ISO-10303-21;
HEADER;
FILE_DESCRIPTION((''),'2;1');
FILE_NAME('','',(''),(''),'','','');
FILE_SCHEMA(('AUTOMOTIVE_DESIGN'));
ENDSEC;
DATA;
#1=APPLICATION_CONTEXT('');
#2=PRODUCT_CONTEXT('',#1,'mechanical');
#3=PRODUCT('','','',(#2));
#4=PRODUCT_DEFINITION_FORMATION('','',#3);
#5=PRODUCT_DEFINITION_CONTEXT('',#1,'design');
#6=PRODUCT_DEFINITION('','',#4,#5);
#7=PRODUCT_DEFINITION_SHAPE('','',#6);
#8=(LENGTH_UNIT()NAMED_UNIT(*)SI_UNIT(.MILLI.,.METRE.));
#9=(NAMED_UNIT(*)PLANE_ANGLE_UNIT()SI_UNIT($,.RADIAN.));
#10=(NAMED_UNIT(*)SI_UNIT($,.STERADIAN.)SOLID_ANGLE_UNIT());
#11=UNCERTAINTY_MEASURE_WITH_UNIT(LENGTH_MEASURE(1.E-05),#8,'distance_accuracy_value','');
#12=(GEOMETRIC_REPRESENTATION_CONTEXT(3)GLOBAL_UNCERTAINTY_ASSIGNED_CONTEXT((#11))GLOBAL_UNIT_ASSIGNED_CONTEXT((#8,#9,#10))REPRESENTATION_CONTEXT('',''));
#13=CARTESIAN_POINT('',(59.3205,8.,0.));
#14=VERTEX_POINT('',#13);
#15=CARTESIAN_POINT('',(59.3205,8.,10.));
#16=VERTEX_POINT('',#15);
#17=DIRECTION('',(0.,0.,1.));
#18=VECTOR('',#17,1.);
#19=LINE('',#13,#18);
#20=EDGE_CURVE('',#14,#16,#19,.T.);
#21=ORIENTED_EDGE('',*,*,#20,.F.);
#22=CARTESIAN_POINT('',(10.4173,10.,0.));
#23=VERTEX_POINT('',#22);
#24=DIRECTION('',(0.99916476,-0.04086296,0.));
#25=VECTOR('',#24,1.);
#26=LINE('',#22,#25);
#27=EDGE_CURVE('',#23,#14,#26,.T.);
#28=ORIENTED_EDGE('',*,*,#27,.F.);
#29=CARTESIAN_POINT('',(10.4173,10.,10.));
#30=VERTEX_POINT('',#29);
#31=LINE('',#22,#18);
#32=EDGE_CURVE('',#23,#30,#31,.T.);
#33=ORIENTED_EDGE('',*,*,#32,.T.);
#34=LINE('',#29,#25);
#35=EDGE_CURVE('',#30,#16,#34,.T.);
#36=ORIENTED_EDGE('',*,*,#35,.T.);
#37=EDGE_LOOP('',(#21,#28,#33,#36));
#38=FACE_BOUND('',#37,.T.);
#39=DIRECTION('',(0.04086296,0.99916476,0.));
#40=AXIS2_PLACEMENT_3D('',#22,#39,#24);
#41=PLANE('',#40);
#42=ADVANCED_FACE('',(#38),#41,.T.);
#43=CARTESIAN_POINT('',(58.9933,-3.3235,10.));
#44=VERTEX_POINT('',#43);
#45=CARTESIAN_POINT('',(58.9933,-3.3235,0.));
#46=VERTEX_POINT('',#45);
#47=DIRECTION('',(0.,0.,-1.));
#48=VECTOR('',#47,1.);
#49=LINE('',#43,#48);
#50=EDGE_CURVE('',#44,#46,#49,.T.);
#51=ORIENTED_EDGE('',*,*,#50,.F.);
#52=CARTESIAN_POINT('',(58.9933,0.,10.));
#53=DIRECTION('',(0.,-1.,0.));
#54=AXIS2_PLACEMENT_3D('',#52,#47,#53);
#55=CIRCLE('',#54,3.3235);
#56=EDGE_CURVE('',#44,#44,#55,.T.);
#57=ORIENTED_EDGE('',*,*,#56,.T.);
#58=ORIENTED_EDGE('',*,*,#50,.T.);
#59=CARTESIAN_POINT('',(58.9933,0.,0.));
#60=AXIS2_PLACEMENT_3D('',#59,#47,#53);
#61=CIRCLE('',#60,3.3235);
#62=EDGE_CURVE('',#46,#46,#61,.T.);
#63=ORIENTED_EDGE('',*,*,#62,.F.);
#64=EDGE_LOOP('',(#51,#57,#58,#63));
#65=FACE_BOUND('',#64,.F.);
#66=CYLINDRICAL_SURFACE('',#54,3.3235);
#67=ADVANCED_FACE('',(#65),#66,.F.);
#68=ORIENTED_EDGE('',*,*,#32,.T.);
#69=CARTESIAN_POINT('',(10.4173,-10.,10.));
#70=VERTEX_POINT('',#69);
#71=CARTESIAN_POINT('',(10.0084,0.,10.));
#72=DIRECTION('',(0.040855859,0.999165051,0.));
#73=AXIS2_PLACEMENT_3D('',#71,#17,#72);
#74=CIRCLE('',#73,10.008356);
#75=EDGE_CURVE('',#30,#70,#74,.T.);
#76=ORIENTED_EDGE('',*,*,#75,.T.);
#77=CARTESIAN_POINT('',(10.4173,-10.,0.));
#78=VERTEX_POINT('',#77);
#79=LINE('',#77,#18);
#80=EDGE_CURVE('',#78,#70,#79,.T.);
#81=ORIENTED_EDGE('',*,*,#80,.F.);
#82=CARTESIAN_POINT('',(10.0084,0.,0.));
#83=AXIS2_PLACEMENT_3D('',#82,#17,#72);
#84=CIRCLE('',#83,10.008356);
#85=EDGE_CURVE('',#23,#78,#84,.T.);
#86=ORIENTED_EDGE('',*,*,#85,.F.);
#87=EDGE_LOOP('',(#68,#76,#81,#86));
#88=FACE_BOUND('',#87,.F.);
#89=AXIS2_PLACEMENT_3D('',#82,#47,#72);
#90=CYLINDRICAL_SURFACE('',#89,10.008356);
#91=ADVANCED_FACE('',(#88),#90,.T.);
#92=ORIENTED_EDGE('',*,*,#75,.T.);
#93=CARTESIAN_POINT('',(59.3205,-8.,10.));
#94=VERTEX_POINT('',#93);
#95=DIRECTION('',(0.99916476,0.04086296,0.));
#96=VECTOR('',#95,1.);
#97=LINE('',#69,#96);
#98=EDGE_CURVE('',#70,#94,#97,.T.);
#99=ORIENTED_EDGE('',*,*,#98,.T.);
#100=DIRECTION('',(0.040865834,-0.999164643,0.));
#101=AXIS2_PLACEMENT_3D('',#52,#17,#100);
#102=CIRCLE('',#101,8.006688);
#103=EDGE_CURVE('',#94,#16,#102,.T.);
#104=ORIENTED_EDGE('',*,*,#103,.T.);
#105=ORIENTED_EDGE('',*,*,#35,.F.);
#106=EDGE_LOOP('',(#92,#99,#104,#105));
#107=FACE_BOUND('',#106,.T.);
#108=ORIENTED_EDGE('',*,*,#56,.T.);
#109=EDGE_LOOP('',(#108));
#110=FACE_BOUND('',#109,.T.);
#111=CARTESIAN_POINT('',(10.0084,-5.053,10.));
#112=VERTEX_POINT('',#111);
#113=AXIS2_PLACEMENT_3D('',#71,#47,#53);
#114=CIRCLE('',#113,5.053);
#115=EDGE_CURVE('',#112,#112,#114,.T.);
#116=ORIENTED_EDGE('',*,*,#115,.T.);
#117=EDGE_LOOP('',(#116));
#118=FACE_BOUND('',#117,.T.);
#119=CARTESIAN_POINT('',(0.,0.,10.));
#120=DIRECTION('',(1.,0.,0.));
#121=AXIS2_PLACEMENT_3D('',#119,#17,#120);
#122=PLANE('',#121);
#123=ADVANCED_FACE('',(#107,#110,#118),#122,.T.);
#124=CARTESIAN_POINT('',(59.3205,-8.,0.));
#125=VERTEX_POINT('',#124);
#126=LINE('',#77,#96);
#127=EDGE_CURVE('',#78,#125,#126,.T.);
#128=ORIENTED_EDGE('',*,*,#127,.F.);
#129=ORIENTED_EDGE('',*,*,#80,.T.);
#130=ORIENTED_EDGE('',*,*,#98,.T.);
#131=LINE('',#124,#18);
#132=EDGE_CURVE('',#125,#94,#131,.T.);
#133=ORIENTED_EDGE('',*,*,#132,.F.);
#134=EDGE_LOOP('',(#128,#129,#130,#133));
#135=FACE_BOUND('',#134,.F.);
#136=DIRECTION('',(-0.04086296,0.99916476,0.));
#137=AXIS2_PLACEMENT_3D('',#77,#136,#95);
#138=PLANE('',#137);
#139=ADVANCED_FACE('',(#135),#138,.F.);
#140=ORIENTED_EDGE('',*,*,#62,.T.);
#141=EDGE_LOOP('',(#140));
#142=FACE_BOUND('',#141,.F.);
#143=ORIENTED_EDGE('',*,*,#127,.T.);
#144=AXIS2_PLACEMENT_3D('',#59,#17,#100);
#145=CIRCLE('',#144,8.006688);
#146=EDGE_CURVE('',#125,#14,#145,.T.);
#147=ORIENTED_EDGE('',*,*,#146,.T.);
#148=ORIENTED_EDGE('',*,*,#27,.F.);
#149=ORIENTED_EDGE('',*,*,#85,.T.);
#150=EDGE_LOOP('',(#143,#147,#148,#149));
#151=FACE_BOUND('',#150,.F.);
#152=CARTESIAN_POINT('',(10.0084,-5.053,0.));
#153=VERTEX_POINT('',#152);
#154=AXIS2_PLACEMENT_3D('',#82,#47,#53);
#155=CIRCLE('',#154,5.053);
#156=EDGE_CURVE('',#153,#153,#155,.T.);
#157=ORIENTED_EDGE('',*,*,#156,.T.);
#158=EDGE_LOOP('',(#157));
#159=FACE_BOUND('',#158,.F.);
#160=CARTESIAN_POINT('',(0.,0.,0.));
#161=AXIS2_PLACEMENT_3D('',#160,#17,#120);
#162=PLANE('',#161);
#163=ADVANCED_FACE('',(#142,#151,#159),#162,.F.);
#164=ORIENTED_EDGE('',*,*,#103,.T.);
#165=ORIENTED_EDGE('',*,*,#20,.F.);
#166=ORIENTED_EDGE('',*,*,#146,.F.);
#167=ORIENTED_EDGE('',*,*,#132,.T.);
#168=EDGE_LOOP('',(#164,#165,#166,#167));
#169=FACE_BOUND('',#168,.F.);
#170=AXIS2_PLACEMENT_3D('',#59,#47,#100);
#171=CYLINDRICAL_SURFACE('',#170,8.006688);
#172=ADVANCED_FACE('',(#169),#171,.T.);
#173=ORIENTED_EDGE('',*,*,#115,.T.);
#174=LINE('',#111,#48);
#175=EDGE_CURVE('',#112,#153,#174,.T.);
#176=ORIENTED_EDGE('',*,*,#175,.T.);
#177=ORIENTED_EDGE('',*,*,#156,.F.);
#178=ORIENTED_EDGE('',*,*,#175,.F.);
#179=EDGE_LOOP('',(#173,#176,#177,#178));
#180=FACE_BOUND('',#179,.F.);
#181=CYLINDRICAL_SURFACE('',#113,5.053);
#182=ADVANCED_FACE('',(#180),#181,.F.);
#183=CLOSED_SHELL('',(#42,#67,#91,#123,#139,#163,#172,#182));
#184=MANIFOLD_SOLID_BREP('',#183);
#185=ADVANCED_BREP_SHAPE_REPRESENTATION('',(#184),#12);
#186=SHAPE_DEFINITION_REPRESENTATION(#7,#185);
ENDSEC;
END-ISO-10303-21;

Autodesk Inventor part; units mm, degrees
ref_plane "YZ Plane" through (0, 0, 0) normal (1, 0, 0) x (0, 1, 0)
ref_plane "XZ Plane" through (0, 0, 0) normal (0, 1, 0) x (-1, 0, 0)
ref_plane "XY Plane" through (0, 0, 0) normal (0, 0, 1) x (1, 0, 0)
sketch "Skizze1" plane through (0, 0, 0) normal (0, 0, 1) x (1, 0, 0)
  arc A0 (10.4173, 10) -> (10.4173, -10) centre (10.0084, 0) ccw
  line L0 (10.4173, 10) -> (59.3205, 8)
  line L1 (10.4173, -10) -> (59.3205, -8)
  arc A1 (59.3205, -8) -> (59.3205, 8) centre (58.9933, 0) ccw
  point P0 (0, 0)
  point P1 (67, 0)
  point P2 (0, 0)
  dimension "d0" = 20
  dimension "d1" = 16
  dimension "d2" = 67
extrude "Extrusion1" add sketch "Skizze1" along normal blind 10
sketch "Skizze2" plane through (0, 0, 10) normal (0, 0, 1) x (1, 0, 0)
  arc A0 (10.4173, 10) -> (10.4173, -10) centre (10.0084, 0) ccw projected
  point P0 (0, 0)
hole "Bohrung1" at (10.0084, 0, 10) direction (0, 0, -1) diameter 10.106 end through all thread size "M12x1.75" class "6H" standard "ISO Metric profile"
sketch "Skizze3" plane through (0, 0, 10) normal (0, 0, 1) x (1, 0, 0)
  arc A0 (59.3205, -8) -> (59.3205, 8) centre (58.9933, 0) ccw projected
  point P0 (0, 0)
hole "Bohrung2" at (58.9933, 0, 10) direction (0, 0, -1) diameter 6.647 end through all thread size "M8x1.25" class "6H" standard "ISO Metric profile"
properties part number "Kurbelarm" material "Stahl, galvanisiert"
